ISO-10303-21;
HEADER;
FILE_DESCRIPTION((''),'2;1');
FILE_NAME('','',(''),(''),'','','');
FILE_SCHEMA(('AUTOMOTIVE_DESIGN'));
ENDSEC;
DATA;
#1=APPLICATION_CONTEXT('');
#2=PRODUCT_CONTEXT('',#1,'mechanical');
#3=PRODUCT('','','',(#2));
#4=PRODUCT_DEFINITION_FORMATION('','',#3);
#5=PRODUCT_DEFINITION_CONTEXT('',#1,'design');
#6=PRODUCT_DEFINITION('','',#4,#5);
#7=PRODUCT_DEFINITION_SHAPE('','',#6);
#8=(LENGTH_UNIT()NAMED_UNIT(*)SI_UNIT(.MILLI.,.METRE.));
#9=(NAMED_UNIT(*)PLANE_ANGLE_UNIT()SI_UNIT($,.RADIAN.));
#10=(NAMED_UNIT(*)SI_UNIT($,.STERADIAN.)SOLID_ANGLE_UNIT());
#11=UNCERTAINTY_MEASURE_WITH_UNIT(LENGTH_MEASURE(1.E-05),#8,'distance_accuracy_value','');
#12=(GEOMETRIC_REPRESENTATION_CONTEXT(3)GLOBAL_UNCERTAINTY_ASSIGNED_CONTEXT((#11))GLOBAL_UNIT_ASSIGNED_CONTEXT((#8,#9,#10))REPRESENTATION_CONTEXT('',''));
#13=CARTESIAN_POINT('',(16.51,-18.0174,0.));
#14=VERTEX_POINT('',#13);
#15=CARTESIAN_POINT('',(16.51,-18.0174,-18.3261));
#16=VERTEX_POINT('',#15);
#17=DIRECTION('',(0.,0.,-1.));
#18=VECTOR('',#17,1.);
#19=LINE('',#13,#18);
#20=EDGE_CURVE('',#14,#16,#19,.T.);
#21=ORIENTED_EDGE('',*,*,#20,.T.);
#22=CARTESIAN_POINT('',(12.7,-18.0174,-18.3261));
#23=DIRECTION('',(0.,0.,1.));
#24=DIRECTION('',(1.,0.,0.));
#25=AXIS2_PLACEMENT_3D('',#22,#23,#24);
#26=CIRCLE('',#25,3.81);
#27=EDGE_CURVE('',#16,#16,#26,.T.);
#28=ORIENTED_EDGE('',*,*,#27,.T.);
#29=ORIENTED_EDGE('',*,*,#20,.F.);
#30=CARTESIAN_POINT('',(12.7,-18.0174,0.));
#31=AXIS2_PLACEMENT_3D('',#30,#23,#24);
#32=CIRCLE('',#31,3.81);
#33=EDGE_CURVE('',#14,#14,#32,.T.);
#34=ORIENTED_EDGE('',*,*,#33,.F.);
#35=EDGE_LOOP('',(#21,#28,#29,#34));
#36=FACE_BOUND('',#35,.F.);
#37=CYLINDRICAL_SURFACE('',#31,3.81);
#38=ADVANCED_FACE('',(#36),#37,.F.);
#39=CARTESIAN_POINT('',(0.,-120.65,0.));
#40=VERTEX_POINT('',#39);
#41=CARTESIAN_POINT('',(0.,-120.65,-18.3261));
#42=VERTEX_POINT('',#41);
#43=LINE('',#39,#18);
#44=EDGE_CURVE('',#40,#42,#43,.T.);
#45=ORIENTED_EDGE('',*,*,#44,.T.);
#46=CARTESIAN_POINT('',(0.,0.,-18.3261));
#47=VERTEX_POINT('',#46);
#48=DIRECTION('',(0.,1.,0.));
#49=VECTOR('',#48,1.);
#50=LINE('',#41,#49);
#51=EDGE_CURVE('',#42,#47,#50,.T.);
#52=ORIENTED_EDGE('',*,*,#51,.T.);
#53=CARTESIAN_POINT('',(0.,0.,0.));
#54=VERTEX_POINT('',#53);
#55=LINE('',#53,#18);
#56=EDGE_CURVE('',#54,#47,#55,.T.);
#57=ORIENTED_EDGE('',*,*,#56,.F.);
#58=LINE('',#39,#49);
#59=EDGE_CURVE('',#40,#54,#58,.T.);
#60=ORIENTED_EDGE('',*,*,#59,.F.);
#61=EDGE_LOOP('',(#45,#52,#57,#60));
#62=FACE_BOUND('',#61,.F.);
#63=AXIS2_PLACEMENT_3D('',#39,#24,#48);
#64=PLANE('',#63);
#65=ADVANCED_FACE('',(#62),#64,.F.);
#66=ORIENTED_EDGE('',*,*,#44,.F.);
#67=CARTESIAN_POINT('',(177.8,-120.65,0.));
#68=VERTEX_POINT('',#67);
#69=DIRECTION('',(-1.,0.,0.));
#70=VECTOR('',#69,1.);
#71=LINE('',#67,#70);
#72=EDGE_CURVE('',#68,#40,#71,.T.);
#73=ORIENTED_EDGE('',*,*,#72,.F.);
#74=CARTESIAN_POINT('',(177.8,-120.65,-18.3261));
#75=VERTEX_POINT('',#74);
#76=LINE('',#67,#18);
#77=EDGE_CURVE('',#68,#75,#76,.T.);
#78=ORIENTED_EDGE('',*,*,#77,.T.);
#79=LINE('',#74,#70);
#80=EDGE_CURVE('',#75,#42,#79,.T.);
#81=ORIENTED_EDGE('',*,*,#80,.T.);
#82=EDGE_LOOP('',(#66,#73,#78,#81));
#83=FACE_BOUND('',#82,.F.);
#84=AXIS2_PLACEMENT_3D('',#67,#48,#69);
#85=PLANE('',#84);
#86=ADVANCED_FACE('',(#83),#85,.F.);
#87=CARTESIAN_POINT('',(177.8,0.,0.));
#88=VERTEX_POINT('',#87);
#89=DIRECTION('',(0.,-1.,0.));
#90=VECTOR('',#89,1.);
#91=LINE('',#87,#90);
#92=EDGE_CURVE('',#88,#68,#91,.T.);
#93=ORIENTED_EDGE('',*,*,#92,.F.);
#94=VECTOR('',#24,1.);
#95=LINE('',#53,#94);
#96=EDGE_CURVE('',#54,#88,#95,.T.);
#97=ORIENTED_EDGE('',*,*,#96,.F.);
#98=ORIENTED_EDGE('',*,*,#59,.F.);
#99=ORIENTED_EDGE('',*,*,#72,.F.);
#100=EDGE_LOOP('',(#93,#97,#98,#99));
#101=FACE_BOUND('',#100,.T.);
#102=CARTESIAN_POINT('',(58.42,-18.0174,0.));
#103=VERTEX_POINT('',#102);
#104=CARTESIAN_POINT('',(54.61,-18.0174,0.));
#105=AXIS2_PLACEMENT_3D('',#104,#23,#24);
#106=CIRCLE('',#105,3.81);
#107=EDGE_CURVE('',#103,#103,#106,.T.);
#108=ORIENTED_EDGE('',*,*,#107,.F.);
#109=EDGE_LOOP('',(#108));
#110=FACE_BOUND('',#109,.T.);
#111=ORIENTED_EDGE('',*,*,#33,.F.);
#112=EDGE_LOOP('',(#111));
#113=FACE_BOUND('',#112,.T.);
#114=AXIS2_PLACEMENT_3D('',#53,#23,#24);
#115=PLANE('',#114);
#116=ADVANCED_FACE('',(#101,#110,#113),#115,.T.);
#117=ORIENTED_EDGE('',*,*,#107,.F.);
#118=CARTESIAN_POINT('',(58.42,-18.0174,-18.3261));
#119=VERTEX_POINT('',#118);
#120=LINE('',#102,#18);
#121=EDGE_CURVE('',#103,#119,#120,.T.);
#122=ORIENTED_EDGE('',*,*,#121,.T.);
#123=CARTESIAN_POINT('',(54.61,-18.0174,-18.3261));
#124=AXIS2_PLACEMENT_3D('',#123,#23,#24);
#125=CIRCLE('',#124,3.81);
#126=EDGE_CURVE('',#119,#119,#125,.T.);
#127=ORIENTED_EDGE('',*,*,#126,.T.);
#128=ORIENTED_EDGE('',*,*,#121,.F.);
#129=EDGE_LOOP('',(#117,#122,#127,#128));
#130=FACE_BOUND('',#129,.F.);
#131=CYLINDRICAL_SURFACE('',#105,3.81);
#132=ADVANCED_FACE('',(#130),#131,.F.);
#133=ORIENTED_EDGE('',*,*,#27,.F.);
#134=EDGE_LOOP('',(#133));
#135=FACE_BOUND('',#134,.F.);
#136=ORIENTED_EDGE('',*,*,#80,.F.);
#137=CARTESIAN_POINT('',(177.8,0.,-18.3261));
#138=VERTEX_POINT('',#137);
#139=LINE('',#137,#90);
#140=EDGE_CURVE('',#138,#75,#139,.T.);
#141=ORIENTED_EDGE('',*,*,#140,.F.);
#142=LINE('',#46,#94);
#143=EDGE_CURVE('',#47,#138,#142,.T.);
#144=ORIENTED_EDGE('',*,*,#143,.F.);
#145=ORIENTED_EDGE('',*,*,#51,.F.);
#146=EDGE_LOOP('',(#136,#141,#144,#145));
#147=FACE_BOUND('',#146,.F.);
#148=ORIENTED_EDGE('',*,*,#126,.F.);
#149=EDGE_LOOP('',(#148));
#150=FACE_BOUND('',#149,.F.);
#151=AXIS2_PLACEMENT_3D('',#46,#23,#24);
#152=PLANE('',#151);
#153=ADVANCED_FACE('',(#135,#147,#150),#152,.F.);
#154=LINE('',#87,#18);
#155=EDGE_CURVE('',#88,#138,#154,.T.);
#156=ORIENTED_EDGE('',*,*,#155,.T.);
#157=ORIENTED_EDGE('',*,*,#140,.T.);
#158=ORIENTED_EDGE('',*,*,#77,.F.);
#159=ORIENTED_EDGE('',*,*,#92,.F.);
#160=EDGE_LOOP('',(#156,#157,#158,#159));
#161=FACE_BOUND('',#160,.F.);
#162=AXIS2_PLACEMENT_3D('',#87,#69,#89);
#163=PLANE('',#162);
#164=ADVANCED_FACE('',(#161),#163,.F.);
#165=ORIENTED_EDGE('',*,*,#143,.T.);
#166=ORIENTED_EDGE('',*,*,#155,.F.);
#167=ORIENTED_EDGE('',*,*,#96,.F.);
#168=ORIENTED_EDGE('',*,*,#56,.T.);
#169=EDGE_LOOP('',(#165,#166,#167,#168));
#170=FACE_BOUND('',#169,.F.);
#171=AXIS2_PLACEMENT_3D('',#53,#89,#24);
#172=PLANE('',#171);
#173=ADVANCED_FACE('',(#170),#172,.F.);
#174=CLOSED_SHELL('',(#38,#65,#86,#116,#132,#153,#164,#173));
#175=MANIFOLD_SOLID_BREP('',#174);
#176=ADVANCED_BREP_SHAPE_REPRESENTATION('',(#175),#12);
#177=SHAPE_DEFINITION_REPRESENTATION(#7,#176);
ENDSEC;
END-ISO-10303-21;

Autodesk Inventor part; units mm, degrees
ref_plane "YZ Plane" through (0, 0, 0) normal (1, 0, 0) x (0, 1, 0)
ref_plane "XZ Plane" through (0, 0, 0) normal (0, 1, 0) x (-1, 0, 0)
ref_plane "XY Plane" through (0, 0, 0) normal (0, 0, 1) x (1, 0, 0)
sketch "Sketch1" plane through (0, 0, 0) normal (0, 0, 1) x (1, 0, 0)
  line L0 (0, 0) -> (177.8, 0)
  line L1 (177.8, 0) -> (177.8, -120.65)
  line L2 (177.8, -120.65) -> (0, -120.65)
  line L3 (0, -120.65) -> (0, 0)
  circle A0 centre (12.7, -18.0174) radius 3.81
  circle A1 centre (54.61, -18.0174) radius 3.81
  dimension "d0" = 120.65
  dimension "d1" = 177.8
  dimension "d2" = 7.62
  dimension "d3" = 12.7
  dimension "d4" = 7.62
  dimension "d5" = 41.91
extrude "Extrusion1" add sketch "Sketch1" against normal blind 18.3261
properties part number "Kermit Bumper 2 Small"
